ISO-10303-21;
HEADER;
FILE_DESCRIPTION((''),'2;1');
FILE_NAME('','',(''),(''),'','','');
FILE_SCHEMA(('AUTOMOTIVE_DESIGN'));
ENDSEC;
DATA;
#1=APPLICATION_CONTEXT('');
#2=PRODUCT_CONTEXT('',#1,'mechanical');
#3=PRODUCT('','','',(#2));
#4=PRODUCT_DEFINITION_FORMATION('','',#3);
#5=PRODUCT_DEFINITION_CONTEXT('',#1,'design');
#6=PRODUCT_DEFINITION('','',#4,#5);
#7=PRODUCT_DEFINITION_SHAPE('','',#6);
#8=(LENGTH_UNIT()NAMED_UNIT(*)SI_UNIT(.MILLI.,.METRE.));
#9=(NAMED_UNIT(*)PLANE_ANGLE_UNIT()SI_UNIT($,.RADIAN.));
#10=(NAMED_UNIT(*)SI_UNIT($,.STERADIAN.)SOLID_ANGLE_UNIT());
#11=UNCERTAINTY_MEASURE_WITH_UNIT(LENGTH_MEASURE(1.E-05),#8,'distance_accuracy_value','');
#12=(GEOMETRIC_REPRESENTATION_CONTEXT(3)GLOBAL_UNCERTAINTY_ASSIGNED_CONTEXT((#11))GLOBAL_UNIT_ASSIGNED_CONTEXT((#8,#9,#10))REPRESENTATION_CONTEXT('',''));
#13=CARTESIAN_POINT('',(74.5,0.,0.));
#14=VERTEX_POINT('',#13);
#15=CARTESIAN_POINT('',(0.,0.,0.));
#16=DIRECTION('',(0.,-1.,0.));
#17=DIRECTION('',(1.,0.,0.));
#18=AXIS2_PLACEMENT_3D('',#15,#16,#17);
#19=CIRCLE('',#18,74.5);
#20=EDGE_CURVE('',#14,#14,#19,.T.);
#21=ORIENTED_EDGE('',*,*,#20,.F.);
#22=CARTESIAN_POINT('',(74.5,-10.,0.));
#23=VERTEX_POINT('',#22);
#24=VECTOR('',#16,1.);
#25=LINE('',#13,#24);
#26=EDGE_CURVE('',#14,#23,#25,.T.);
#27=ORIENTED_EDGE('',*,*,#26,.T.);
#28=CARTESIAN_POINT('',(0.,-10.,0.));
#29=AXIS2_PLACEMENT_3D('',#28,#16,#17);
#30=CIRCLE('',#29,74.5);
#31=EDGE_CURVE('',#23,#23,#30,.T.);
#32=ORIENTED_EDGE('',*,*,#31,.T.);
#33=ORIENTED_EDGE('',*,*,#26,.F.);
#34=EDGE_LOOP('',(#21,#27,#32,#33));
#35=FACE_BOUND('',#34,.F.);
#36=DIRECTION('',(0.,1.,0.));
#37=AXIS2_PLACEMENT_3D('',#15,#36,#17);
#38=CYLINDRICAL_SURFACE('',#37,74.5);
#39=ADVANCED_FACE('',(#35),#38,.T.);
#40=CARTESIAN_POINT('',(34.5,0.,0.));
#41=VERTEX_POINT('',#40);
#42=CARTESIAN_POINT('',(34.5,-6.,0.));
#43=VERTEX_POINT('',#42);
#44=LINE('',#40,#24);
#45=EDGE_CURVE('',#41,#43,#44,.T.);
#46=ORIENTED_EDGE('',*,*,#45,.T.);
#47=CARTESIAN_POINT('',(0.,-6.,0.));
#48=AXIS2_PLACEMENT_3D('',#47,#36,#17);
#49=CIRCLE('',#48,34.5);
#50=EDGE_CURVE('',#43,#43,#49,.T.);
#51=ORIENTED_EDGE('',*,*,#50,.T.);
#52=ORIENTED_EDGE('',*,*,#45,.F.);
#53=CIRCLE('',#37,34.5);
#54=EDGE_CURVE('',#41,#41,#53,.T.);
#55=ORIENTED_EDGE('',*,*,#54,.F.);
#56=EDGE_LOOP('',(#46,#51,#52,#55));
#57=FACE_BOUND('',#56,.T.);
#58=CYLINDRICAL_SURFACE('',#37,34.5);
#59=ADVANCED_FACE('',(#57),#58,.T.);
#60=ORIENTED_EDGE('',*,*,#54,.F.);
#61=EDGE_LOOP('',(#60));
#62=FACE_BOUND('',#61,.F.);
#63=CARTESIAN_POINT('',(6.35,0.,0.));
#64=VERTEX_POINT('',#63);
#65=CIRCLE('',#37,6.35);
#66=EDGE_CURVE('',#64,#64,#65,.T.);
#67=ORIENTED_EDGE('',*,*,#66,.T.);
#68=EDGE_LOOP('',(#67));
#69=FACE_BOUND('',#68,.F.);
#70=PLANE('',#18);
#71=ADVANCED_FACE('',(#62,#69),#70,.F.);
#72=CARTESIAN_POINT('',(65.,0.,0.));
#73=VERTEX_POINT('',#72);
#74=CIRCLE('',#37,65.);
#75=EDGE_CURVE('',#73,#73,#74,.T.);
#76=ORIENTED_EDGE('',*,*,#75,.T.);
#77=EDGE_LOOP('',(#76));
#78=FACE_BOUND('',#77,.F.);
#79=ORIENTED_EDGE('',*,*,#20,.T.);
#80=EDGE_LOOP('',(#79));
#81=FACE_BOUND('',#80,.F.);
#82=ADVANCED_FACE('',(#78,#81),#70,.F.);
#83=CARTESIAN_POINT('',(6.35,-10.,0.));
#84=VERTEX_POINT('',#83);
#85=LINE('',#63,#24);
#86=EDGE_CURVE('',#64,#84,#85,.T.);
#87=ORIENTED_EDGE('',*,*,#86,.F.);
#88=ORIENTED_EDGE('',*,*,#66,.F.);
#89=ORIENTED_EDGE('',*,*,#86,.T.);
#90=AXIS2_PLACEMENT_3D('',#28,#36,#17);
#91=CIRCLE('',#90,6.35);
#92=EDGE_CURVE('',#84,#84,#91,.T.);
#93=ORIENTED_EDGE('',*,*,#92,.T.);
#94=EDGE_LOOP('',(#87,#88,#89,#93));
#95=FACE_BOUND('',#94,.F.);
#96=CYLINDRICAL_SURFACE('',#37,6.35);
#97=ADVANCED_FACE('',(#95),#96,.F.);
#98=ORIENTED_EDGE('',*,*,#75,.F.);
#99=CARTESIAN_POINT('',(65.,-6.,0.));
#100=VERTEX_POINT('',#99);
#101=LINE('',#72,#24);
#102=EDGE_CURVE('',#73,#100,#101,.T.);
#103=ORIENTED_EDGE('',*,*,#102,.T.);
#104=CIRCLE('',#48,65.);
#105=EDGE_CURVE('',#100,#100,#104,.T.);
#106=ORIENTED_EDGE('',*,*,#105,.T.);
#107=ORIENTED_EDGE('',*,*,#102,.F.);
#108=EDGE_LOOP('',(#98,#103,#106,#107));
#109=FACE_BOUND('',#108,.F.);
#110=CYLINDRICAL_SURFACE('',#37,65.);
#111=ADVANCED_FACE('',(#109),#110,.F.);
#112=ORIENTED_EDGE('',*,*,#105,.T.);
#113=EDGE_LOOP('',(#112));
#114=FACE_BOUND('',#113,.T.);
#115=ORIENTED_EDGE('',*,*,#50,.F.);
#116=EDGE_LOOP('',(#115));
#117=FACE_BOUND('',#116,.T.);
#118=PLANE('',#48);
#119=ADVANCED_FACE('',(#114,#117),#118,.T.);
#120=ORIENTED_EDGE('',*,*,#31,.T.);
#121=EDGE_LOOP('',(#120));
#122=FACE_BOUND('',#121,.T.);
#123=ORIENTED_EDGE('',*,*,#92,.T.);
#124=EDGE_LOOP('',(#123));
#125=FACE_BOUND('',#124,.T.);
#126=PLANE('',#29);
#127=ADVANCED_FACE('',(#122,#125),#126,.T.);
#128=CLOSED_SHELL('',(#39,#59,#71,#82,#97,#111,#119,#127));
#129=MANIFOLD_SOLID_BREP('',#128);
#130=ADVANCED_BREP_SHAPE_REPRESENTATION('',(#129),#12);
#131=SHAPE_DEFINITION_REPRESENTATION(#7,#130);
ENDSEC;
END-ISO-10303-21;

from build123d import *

# Parameters (mm, degrees)
SKETCH_R        = 74.5
PAD_DEPTH       = 10
SKETCH001_R     = 6.35
POCKET_DEPTH    = 10.001
SKETCH002_R     = 65
SKETCH002_R_2   = 34.5
POCKET001_DEPTH = 6


with BuildPart() as part:
    # Sketch → Pad (new body)
    with BuildSketch(Plane.XZ):
        Circle(SKETCH_R)
    extrude(amount=PAD_DEPTH)

    # Sketch001 (on Face2 of Pad) → Pocket (cut, through all)
    with BuildSketch(Plane(origin=(0, 0, 0), x_dir=(1, 0, 0), z_dir=(0, 1, 0))):
        Circle(SKETCH001_R)
    extrude(amount=-POCKET_DEPTH, mode=Mode.SUBTRACT)

    # Sketch002 (on Face2 of Pocket) → Pocket001 (cut)
    with BuildSketch(Plane(origin=(0, 0, 0), x_dir=(1, 0, 0), z_dir=(0, 1, 0))):
        Circle(SKETCH002_R)
        Circle(SKETCH002_R_2, mode=Mode.SUBTRACT)
    extrude(amount=-POCKET001_DEPTH, mode=Mode.SUBTRACT)


solid = part.part
